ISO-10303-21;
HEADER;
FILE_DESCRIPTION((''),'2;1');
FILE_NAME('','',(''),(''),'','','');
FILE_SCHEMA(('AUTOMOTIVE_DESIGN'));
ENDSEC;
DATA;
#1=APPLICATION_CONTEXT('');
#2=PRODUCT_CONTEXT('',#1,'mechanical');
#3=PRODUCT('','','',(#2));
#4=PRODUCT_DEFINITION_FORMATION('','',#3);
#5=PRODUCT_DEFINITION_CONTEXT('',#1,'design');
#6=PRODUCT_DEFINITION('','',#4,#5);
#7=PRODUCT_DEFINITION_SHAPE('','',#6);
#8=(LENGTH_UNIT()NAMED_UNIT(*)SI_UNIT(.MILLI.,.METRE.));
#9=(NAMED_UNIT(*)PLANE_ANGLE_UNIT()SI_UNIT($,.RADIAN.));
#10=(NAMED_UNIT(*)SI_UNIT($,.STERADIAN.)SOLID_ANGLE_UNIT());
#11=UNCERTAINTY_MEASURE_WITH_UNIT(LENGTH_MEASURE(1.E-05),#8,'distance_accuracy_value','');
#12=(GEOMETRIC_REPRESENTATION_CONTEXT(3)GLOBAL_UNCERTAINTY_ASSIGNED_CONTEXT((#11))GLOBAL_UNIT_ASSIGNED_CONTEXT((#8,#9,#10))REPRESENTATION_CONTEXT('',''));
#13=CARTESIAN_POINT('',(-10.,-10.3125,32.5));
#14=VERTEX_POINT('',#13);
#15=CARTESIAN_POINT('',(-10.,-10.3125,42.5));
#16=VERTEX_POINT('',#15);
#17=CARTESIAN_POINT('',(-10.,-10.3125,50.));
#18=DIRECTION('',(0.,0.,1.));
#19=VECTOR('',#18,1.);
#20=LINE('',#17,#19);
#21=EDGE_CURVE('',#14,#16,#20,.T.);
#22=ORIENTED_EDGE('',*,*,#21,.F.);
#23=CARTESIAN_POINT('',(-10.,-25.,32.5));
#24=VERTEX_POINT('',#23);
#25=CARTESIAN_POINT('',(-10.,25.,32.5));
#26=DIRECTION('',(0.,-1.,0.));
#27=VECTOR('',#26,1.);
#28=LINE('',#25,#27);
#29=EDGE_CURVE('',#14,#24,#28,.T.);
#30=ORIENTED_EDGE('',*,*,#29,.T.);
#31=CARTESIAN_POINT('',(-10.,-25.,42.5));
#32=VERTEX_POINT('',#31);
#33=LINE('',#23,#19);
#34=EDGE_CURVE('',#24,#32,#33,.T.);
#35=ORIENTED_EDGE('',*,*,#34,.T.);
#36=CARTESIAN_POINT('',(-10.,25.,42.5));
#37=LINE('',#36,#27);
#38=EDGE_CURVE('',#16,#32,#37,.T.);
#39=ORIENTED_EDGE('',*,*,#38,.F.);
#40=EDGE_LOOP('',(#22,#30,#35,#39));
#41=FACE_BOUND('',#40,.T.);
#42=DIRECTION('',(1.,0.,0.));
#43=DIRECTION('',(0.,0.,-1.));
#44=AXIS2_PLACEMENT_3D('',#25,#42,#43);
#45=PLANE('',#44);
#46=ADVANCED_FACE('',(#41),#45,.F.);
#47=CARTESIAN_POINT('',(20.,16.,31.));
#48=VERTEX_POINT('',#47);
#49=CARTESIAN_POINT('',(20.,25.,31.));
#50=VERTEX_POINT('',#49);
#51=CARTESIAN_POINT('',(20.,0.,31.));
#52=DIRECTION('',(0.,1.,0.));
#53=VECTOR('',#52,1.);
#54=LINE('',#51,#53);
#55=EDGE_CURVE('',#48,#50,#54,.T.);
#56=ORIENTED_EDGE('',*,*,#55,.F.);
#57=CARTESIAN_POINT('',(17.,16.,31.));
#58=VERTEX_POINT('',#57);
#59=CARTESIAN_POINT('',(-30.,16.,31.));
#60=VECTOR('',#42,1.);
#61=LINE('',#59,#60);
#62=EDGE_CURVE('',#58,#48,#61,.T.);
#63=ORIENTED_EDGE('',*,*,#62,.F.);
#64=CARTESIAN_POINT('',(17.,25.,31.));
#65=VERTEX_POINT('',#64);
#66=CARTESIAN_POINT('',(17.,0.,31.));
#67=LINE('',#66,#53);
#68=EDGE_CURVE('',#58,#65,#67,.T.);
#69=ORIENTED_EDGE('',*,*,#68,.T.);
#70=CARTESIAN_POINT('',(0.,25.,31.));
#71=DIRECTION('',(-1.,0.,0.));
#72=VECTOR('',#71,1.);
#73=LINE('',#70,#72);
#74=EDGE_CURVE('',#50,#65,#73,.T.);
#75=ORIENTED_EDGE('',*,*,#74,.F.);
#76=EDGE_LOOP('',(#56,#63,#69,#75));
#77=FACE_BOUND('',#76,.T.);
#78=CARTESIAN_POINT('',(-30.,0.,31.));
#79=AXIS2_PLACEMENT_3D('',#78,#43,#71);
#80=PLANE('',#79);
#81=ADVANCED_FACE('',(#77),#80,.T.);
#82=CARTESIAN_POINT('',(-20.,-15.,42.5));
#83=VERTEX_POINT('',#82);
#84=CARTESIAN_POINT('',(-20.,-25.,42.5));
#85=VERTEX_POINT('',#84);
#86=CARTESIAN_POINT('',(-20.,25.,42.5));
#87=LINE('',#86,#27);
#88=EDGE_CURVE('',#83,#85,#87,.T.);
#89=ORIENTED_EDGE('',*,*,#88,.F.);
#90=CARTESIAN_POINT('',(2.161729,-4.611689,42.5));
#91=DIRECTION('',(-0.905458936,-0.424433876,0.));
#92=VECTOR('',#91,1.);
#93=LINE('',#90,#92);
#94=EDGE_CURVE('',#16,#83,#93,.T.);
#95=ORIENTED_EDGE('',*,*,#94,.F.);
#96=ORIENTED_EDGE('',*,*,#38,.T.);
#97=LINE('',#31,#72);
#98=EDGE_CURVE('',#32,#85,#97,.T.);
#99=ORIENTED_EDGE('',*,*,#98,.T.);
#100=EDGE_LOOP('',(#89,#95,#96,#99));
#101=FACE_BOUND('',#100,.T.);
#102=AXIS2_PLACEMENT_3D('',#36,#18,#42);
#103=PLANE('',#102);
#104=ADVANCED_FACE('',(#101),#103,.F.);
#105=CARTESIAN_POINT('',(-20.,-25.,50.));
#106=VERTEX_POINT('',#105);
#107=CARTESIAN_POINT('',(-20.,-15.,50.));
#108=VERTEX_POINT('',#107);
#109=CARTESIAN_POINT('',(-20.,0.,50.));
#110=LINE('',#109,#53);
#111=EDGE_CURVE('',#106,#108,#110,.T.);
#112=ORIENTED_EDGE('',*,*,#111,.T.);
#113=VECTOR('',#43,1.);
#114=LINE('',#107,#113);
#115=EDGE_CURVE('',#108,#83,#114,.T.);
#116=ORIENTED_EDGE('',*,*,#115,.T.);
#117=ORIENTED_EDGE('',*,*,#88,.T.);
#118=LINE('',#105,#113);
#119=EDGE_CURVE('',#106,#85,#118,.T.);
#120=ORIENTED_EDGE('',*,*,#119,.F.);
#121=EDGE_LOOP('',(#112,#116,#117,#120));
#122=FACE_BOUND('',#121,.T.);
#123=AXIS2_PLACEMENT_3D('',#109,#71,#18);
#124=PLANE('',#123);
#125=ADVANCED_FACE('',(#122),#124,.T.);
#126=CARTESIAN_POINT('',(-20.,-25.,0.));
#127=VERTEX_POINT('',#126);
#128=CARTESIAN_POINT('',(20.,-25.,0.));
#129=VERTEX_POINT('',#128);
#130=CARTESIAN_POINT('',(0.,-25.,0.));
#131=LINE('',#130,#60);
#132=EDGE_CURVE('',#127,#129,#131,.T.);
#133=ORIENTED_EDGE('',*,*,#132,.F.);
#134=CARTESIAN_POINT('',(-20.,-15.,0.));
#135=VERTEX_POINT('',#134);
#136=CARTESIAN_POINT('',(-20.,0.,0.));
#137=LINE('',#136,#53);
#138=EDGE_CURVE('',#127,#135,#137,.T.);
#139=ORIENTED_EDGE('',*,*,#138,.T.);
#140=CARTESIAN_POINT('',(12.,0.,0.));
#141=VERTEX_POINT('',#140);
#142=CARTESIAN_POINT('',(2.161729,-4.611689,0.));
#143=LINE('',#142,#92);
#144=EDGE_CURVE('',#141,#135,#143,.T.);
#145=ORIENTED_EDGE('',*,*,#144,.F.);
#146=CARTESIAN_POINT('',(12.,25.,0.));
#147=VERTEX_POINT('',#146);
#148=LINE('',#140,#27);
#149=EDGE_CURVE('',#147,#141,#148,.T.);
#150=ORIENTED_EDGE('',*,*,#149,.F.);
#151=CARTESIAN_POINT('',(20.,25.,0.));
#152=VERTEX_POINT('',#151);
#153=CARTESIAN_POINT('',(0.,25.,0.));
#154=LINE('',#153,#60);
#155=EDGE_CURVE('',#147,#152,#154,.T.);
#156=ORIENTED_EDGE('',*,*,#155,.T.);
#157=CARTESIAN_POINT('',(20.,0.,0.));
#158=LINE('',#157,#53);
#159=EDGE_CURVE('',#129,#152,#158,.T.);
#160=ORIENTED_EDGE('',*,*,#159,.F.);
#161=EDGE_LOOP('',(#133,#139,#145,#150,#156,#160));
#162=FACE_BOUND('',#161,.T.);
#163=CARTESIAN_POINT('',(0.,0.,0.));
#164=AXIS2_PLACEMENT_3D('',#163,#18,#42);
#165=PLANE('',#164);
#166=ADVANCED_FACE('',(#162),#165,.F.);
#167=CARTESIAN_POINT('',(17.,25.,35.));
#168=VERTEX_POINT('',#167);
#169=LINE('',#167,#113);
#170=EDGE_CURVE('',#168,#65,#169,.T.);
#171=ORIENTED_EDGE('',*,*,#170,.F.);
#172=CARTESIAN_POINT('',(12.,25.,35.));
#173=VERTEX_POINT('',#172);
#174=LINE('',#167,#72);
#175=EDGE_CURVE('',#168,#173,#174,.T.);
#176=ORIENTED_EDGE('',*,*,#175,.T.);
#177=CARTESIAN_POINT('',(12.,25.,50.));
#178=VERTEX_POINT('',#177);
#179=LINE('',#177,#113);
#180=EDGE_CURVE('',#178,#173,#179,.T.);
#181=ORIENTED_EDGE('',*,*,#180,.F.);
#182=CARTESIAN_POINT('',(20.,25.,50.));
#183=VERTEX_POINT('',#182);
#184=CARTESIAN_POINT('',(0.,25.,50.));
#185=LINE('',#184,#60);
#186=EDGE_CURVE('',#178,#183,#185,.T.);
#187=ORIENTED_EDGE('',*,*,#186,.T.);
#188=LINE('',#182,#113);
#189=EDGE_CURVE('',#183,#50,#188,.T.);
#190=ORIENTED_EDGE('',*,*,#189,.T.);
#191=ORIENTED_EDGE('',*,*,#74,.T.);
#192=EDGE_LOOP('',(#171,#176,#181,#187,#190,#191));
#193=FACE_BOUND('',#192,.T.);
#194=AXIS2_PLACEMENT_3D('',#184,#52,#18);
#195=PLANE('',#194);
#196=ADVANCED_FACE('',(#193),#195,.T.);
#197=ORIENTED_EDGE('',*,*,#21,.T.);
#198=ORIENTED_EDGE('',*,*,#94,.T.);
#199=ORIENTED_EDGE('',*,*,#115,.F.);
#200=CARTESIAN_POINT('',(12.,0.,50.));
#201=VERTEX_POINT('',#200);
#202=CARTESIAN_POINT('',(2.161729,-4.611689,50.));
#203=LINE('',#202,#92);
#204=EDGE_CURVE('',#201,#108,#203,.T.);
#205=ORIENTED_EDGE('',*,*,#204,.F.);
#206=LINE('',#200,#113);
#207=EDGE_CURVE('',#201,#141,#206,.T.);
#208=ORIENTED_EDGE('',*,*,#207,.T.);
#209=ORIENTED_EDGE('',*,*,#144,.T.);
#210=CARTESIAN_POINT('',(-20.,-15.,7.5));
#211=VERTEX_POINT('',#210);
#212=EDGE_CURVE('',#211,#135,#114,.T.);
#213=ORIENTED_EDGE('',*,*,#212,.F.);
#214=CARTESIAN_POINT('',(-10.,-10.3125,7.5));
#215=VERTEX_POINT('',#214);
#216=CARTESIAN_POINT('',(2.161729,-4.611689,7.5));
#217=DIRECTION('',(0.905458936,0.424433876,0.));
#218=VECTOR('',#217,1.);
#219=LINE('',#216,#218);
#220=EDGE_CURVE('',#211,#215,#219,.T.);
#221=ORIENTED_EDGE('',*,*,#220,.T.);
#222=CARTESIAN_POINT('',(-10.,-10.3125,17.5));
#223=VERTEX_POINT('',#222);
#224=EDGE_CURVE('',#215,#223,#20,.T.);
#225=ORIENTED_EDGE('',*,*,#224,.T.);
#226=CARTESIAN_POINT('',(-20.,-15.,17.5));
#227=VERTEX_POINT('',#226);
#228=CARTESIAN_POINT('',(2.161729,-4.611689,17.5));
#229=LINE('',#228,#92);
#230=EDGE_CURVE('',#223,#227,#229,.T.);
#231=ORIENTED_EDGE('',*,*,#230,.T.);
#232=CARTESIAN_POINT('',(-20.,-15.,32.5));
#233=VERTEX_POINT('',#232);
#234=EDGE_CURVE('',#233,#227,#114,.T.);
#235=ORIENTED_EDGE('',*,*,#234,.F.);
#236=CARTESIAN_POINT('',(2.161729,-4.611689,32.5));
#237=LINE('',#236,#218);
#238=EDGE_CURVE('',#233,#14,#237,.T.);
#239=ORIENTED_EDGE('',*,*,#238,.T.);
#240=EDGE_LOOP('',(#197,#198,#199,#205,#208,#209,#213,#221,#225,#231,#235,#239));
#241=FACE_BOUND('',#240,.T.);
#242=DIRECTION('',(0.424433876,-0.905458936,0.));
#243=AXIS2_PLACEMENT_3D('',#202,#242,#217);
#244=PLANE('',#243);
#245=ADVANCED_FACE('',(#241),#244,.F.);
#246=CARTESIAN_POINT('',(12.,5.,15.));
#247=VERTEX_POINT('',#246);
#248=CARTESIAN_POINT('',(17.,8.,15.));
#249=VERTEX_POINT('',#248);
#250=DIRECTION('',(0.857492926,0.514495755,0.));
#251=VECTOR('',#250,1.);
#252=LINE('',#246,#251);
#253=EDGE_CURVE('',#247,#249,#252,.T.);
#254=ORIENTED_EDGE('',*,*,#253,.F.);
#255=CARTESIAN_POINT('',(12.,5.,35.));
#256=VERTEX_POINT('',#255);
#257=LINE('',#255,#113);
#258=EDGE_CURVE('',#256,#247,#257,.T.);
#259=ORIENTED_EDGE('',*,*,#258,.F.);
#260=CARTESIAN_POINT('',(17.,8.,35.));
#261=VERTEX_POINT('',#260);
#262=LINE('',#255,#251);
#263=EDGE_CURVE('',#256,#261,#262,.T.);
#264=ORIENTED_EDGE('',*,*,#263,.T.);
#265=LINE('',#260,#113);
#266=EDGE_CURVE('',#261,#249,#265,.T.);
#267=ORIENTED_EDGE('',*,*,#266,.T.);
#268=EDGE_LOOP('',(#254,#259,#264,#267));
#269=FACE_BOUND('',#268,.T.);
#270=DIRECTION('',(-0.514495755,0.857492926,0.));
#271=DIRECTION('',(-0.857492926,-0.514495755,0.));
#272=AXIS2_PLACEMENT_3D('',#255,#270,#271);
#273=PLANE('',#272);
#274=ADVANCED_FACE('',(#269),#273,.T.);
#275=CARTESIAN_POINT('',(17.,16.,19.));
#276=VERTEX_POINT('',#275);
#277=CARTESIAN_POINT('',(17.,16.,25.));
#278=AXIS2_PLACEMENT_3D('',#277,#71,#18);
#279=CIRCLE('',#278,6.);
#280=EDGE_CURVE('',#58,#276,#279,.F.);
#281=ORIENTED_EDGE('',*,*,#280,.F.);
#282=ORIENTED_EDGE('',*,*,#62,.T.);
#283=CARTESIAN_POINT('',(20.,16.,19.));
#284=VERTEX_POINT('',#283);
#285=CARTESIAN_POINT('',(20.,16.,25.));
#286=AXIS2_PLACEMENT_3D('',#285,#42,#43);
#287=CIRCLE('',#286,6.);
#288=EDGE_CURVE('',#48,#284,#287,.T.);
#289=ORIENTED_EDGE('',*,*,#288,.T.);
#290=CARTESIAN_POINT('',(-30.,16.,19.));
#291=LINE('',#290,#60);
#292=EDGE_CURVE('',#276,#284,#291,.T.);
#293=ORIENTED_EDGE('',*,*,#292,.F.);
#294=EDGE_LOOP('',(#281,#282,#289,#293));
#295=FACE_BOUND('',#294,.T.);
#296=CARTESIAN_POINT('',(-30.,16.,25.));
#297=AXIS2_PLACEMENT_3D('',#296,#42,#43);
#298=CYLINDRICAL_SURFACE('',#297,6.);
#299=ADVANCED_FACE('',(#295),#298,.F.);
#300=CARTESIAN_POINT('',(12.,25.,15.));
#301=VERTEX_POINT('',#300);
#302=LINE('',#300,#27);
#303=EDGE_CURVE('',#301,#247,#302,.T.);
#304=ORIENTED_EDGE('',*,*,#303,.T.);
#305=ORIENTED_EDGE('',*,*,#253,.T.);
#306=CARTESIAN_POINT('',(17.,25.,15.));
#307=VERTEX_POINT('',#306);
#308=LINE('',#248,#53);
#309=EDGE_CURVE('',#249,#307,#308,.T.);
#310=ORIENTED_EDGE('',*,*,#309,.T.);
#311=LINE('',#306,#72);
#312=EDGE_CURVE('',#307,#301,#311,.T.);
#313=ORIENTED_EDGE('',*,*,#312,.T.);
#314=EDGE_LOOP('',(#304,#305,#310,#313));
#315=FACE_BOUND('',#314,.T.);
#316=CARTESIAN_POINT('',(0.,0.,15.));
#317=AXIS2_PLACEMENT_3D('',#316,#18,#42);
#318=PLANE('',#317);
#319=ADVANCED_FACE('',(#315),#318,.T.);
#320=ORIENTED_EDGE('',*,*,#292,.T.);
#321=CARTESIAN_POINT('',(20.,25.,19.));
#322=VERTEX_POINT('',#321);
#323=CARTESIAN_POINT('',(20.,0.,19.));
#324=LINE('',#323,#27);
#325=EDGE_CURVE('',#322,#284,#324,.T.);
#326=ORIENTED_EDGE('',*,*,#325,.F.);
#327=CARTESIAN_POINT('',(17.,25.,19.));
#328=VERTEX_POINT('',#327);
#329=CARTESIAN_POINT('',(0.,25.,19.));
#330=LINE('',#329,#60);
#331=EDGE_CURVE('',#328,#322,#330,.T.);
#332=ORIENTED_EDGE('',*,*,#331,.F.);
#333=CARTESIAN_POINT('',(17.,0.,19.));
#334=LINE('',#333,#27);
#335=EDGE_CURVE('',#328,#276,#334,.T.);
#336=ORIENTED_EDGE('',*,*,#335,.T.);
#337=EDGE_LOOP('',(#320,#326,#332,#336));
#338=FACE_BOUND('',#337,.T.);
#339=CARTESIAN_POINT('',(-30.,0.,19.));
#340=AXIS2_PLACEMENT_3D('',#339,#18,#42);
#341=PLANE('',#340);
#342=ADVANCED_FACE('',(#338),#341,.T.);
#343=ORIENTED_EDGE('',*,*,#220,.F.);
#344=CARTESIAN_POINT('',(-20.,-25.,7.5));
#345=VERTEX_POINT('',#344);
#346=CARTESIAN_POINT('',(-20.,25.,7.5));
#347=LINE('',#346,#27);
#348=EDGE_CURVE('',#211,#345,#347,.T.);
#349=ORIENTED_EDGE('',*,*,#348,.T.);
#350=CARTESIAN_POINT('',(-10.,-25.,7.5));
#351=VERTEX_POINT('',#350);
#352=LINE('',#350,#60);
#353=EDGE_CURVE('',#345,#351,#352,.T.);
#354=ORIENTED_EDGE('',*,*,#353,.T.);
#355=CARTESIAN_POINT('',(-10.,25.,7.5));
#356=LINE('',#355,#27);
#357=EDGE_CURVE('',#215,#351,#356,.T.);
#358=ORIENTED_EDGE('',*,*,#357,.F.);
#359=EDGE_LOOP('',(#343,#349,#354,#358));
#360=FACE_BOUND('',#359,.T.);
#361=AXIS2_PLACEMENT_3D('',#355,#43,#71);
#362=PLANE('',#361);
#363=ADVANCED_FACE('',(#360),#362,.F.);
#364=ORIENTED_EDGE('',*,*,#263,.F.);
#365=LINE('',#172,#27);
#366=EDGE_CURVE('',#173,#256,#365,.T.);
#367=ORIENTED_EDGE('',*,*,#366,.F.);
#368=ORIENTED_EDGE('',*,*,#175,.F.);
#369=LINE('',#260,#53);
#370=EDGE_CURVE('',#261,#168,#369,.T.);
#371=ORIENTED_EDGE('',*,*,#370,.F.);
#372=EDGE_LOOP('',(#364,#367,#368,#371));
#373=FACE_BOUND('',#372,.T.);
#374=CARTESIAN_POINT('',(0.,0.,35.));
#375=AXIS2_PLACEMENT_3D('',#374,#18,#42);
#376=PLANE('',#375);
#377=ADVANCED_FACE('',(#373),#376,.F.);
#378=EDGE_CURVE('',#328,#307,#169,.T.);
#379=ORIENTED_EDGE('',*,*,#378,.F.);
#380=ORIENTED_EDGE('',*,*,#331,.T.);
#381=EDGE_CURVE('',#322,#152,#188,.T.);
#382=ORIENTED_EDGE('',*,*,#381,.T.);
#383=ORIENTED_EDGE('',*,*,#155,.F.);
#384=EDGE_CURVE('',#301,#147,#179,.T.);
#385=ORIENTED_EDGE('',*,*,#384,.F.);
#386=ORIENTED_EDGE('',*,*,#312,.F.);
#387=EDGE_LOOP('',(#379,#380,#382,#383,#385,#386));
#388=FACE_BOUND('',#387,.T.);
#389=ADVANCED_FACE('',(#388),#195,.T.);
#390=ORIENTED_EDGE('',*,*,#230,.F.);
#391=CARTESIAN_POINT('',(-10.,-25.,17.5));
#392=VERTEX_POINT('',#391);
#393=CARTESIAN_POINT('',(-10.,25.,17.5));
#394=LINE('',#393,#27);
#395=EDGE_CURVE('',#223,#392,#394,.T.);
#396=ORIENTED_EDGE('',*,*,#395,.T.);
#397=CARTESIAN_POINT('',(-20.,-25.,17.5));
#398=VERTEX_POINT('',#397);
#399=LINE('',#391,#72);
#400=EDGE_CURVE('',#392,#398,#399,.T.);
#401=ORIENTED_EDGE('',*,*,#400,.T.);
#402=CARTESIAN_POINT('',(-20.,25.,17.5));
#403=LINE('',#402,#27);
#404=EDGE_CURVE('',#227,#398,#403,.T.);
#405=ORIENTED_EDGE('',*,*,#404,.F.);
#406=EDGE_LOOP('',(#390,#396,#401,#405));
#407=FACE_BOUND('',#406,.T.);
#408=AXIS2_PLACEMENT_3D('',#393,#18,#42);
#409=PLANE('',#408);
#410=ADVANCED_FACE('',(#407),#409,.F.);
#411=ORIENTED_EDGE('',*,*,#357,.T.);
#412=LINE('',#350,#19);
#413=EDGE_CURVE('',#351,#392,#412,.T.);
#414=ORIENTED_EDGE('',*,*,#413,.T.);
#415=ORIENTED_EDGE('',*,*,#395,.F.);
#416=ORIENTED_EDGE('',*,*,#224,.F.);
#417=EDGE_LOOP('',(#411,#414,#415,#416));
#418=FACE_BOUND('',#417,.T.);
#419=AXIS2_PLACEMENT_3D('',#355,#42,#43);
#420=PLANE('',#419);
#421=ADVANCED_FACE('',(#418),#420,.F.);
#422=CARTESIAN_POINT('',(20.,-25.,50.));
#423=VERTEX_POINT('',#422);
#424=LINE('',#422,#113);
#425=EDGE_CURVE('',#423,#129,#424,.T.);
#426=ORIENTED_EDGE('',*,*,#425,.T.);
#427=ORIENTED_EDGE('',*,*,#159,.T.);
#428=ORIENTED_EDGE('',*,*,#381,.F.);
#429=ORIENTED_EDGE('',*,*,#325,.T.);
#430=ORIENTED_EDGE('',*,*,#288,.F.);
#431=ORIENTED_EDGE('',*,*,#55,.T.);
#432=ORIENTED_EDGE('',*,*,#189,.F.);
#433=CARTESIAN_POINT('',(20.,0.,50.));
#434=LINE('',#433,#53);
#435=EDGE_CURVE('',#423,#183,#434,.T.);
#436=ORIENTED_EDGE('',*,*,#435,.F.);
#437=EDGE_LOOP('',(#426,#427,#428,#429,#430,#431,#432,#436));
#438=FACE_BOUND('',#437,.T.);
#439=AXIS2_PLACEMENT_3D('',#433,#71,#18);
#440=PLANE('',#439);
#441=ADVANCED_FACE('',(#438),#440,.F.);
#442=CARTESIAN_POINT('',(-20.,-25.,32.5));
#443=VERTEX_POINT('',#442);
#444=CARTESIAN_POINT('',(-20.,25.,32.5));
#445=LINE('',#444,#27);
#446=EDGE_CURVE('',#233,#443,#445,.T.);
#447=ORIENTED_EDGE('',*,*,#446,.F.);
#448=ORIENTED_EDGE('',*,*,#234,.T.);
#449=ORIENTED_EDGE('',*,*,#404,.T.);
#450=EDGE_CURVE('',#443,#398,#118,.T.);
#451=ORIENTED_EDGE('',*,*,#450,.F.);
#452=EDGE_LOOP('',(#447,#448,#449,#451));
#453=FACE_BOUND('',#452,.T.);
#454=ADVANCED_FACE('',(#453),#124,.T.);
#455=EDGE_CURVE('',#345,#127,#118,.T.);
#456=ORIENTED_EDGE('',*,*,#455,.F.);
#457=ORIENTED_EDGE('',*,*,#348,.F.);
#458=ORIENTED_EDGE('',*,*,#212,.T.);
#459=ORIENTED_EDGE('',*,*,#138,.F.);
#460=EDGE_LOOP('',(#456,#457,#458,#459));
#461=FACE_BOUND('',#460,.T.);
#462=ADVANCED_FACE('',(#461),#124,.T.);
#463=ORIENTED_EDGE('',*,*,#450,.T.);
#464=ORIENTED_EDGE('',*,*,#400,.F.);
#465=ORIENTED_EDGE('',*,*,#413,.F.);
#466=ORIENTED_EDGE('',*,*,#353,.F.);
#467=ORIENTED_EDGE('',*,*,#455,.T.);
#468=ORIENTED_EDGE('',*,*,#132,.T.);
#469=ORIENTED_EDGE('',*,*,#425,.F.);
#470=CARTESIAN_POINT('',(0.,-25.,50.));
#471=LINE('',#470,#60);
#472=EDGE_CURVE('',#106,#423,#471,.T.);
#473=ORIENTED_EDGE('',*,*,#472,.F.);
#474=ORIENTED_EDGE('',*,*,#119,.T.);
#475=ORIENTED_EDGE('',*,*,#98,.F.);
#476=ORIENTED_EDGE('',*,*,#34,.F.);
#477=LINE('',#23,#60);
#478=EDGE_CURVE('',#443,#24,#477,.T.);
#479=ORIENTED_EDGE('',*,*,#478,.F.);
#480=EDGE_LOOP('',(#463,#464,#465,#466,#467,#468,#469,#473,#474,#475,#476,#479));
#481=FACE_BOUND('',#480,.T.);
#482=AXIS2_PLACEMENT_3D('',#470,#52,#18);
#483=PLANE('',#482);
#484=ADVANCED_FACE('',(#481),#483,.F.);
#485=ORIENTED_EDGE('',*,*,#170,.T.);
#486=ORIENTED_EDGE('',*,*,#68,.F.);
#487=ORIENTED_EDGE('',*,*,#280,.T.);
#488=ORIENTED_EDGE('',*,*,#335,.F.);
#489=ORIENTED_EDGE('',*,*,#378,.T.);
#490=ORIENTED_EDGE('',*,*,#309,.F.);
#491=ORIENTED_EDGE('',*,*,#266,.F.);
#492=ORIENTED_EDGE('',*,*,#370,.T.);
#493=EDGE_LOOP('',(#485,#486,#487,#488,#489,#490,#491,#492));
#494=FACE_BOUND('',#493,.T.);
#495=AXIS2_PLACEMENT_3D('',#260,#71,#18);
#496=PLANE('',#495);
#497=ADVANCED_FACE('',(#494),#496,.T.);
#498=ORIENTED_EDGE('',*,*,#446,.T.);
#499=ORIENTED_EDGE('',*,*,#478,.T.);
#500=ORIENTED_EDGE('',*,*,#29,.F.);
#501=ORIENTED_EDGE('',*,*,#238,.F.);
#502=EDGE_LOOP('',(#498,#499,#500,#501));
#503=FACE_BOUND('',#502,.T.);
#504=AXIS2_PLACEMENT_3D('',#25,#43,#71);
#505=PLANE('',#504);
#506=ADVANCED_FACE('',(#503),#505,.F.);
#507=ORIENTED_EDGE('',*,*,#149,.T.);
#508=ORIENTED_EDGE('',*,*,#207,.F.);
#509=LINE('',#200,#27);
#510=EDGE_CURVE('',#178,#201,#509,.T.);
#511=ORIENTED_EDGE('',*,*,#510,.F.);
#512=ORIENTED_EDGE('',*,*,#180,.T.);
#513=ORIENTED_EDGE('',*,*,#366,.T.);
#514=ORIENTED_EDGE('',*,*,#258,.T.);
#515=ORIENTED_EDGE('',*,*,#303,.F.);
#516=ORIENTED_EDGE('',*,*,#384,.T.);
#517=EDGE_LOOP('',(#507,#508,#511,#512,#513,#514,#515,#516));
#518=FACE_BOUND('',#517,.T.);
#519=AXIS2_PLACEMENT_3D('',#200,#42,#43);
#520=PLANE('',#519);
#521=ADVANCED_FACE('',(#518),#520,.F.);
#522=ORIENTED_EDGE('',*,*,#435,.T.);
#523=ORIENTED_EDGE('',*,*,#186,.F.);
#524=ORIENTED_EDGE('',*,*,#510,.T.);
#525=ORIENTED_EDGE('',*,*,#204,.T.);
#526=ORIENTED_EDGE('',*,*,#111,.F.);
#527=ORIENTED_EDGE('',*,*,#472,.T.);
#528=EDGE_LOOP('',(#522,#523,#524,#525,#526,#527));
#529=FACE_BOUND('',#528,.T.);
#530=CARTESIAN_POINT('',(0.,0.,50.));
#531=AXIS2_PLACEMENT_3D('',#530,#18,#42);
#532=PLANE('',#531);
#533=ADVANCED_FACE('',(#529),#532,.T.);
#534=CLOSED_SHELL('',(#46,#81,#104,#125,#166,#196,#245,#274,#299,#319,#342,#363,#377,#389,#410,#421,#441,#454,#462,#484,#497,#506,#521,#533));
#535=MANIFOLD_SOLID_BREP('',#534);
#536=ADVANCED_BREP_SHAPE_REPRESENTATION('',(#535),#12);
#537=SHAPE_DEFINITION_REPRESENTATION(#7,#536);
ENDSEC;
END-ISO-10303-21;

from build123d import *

# Parameters (mm, degrees)
EXTRUDE_1_DEPTH          = 50
SKETCH_2_W               = 10
SKETCH_2_H               = 10
CUT_EXTRUDE_1_DEPTH      = 74.484692283
CUT_EXTRUDE_2_DEPTH      = 50
CUT_EXTRUDE_3_DEPTH      = 10
CUT_EXTRUDE_3_DEPTH_BACK = 10


with BuildPart() as part:
    # Эскиз1 → Бобышка-Вытянуть1 (new body)
    with BuildSketch(Plane.XY):
        Polygon((20, 25), (12, 25), (12, 0), (-20, -15), (-20, -25), (20, -25), align=None)
    extrude(amount=EXTRUDE_1_DEPTH)

    # Эскиз2 → Вырез-Вытянуть1 (cut, through all)
    with BuildSketch(Plane.XZ.offset(25)):
        with Locations((-15, 12.5)):
            Rectangle(SKETCH_2_W, SKETCH_2_H)
        with Locations((-15, 37.5)):
            Rectangle(SKETCH_2_W, SKETCH_2_H)
    extrude(amount=-CUT_EXTRUDE_1_DEPTH, mode=Mode.SUBTRACT)

    # Эскиз3 → Вырез-Вытянуть2 (cut)
    with BuildSketch(Plane(origin=(20, 0, 0), x_dir=(0, 0, -1), z_dir=(1, 0, 0))):
        with BuildLine():
            Line((-19, 25), (-25, 25))
            Line((-25, 25), (-25, 22))
            ThreePointArc((-25, 22), (-20.757359313, 20.242640687), (-19, 16))
            Line((-19, 16), (-19, 25))
        make_face()
        with BuildLine():
            ThreePointArc((-19, 16), (-20.757359313, 20.242640687), (-25, 22))
            Line((-25, 22), (-25, 10))
            ThreePointArc((-25, 10), (-20.757359313, 11.757359313), (-19, 16))
        make_face()
        with BuildLine():
            Line((-25, 10), (-25, 22))
            ThreePointArc((-25, 22), (-29.242640687, 20.242640687), (-31, 16))
            ThreePointArc((-31, 16), (-29.242640687, 11.757359313), (-25, 10))
        make_face()
        with BuildLine():
            Line((-25, 22), (-25, 25))
            Line((-25, 25), (-31, 25))
            Line((-31, 25), (-31, 16))
            ThreePointArc((-31, 16), (-29.242640687, 20.242640687), (-25, 22))
        make_face()
    extrude(amount=-CUT_EXTRUDE_2_DEPTH, mode=Mode.SUBTRACT)

    # Эскиз4 → Вырез-Вытянуть3 (cut, two sides: drawn at the far end of the back side and taken through both)
    with BuildSketch(Plane.XY.offset(25).offset(-CUT_EXTRUDE_3_DEPTH_BACK)):
        Polygon((12, 25), (12, 5), (17, 8), (17, 25), align=None)
    extrude(amount=CUT_EXTRUDE_3_DEPTH + CUT_EXTRUDE_3_DEPTH_BACK, mode=Mode.SUBTRACT)


solid = part.part
